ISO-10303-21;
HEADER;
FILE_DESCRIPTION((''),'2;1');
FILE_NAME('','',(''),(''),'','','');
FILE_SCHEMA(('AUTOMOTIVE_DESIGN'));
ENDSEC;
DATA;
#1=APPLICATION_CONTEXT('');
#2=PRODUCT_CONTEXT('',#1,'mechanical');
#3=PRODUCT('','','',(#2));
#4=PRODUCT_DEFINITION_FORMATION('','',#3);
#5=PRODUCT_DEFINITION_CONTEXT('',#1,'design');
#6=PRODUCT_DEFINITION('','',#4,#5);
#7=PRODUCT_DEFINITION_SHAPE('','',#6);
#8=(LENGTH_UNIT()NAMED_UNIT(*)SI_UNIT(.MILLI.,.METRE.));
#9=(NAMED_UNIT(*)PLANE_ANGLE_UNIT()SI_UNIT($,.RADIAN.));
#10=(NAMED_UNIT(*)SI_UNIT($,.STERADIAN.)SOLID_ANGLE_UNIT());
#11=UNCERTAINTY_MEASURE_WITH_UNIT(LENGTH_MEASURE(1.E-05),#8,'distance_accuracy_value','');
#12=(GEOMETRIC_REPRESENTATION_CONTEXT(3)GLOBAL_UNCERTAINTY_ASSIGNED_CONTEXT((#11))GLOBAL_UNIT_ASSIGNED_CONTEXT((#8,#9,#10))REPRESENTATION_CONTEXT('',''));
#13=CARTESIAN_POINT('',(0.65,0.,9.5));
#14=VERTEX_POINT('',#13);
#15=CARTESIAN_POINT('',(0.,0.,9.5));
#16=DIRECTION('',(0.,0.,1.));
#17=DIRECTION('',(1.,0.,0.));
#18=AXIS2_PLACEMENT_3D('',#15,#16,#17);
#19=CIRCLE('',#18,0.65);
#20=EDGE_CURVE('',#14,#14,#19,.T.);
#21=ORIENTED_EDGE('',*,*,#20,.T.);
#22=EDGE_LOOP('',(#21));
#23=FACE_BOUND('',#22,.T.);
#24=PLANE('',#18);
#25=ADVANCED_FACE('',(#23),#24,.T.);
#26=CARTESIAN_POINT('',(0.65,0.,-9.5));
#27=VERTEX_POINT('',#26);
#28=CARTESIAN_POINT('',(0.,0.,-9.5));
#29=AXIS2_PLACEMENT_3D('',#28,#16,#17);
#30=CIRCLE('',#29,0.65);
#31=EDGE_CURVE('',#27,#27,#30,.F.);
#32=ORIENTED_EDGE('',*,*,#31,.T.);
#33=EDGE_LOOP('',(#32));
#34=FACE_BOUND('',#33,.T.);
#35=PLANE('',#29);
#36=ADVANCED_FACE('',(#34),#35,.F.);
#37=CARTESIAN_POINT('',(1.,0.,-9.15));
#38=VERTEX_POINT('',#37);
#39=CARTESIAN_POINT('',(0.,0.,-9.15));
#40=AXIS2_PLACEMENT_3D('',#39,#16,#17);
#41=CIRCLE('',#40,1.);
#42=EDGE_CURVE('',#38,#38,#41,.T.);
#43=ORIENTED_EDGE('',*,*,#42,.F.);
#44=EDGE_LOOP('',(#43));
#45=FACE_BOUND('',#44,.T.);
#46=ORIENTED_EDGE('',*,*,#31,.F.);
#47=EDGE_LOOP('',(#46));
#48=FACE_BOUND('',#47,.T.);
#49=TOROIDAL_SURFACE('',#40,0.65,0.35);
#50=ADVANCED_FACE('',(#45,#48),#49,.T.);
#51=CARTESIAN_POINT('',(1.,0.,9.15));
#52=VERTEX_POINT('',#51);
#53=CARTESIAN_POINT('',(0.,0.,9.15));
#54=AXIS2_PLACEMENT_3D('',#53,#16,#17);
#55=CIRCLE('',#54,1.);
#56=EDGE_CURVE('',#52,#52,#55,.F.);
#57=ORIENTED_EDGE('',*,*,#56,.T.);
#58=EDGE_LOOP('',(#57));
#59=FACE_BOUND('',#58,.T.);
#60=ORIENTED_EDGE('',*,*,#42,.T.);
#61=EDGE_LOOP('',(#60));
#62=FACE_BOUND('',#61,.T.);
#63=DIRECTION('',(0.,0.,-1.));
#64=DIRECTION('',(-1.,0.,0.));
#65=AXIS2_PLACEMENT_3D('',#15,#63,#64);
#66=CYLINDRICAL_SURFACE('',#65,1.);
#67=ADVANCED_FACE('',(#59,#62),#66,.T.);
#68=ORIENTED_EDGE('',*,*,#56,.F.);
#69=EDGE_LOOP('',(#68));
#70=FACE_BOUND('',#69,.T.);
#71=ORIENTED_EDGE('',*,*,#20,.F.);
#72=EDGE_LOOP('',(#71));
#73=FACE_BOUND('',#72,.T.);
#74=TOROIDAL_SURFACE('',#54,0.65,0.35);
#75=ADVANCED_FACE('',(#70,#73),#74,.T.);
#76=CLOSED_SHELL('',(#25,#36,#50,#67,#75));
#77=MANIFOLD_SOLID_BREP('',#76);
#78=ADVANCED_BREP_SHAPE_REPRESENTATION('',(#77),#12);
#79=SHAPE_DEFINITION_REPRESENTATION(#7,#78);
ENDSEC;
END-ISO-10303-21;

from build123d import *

# Parameters (mm, degrees)
SKETCH1_R           = 1
BOSS_EXTRUDE1_DEPTH = 9.5
FILLET1_R           = 0.35


with BuildPart() as part:
    # Sketch1 → Boss-Extrude1 (new body, symmetric)
    with BuildSketch(Plane.XY):
        Circle(SKETCH1_R)
    extrude(amount=BOSS_EXTRUDE1_DEPTH, both=True)

    # Fillet1
    fillet1_edges = [part.edges().sort_by_distance(p)[0] for p in [
        (-1, 0, -9.5),
        (-1, 0, 9.5),
    ]]
    fillet(fillet1_edges, radius=FILLET1_R)


solid = part.part
